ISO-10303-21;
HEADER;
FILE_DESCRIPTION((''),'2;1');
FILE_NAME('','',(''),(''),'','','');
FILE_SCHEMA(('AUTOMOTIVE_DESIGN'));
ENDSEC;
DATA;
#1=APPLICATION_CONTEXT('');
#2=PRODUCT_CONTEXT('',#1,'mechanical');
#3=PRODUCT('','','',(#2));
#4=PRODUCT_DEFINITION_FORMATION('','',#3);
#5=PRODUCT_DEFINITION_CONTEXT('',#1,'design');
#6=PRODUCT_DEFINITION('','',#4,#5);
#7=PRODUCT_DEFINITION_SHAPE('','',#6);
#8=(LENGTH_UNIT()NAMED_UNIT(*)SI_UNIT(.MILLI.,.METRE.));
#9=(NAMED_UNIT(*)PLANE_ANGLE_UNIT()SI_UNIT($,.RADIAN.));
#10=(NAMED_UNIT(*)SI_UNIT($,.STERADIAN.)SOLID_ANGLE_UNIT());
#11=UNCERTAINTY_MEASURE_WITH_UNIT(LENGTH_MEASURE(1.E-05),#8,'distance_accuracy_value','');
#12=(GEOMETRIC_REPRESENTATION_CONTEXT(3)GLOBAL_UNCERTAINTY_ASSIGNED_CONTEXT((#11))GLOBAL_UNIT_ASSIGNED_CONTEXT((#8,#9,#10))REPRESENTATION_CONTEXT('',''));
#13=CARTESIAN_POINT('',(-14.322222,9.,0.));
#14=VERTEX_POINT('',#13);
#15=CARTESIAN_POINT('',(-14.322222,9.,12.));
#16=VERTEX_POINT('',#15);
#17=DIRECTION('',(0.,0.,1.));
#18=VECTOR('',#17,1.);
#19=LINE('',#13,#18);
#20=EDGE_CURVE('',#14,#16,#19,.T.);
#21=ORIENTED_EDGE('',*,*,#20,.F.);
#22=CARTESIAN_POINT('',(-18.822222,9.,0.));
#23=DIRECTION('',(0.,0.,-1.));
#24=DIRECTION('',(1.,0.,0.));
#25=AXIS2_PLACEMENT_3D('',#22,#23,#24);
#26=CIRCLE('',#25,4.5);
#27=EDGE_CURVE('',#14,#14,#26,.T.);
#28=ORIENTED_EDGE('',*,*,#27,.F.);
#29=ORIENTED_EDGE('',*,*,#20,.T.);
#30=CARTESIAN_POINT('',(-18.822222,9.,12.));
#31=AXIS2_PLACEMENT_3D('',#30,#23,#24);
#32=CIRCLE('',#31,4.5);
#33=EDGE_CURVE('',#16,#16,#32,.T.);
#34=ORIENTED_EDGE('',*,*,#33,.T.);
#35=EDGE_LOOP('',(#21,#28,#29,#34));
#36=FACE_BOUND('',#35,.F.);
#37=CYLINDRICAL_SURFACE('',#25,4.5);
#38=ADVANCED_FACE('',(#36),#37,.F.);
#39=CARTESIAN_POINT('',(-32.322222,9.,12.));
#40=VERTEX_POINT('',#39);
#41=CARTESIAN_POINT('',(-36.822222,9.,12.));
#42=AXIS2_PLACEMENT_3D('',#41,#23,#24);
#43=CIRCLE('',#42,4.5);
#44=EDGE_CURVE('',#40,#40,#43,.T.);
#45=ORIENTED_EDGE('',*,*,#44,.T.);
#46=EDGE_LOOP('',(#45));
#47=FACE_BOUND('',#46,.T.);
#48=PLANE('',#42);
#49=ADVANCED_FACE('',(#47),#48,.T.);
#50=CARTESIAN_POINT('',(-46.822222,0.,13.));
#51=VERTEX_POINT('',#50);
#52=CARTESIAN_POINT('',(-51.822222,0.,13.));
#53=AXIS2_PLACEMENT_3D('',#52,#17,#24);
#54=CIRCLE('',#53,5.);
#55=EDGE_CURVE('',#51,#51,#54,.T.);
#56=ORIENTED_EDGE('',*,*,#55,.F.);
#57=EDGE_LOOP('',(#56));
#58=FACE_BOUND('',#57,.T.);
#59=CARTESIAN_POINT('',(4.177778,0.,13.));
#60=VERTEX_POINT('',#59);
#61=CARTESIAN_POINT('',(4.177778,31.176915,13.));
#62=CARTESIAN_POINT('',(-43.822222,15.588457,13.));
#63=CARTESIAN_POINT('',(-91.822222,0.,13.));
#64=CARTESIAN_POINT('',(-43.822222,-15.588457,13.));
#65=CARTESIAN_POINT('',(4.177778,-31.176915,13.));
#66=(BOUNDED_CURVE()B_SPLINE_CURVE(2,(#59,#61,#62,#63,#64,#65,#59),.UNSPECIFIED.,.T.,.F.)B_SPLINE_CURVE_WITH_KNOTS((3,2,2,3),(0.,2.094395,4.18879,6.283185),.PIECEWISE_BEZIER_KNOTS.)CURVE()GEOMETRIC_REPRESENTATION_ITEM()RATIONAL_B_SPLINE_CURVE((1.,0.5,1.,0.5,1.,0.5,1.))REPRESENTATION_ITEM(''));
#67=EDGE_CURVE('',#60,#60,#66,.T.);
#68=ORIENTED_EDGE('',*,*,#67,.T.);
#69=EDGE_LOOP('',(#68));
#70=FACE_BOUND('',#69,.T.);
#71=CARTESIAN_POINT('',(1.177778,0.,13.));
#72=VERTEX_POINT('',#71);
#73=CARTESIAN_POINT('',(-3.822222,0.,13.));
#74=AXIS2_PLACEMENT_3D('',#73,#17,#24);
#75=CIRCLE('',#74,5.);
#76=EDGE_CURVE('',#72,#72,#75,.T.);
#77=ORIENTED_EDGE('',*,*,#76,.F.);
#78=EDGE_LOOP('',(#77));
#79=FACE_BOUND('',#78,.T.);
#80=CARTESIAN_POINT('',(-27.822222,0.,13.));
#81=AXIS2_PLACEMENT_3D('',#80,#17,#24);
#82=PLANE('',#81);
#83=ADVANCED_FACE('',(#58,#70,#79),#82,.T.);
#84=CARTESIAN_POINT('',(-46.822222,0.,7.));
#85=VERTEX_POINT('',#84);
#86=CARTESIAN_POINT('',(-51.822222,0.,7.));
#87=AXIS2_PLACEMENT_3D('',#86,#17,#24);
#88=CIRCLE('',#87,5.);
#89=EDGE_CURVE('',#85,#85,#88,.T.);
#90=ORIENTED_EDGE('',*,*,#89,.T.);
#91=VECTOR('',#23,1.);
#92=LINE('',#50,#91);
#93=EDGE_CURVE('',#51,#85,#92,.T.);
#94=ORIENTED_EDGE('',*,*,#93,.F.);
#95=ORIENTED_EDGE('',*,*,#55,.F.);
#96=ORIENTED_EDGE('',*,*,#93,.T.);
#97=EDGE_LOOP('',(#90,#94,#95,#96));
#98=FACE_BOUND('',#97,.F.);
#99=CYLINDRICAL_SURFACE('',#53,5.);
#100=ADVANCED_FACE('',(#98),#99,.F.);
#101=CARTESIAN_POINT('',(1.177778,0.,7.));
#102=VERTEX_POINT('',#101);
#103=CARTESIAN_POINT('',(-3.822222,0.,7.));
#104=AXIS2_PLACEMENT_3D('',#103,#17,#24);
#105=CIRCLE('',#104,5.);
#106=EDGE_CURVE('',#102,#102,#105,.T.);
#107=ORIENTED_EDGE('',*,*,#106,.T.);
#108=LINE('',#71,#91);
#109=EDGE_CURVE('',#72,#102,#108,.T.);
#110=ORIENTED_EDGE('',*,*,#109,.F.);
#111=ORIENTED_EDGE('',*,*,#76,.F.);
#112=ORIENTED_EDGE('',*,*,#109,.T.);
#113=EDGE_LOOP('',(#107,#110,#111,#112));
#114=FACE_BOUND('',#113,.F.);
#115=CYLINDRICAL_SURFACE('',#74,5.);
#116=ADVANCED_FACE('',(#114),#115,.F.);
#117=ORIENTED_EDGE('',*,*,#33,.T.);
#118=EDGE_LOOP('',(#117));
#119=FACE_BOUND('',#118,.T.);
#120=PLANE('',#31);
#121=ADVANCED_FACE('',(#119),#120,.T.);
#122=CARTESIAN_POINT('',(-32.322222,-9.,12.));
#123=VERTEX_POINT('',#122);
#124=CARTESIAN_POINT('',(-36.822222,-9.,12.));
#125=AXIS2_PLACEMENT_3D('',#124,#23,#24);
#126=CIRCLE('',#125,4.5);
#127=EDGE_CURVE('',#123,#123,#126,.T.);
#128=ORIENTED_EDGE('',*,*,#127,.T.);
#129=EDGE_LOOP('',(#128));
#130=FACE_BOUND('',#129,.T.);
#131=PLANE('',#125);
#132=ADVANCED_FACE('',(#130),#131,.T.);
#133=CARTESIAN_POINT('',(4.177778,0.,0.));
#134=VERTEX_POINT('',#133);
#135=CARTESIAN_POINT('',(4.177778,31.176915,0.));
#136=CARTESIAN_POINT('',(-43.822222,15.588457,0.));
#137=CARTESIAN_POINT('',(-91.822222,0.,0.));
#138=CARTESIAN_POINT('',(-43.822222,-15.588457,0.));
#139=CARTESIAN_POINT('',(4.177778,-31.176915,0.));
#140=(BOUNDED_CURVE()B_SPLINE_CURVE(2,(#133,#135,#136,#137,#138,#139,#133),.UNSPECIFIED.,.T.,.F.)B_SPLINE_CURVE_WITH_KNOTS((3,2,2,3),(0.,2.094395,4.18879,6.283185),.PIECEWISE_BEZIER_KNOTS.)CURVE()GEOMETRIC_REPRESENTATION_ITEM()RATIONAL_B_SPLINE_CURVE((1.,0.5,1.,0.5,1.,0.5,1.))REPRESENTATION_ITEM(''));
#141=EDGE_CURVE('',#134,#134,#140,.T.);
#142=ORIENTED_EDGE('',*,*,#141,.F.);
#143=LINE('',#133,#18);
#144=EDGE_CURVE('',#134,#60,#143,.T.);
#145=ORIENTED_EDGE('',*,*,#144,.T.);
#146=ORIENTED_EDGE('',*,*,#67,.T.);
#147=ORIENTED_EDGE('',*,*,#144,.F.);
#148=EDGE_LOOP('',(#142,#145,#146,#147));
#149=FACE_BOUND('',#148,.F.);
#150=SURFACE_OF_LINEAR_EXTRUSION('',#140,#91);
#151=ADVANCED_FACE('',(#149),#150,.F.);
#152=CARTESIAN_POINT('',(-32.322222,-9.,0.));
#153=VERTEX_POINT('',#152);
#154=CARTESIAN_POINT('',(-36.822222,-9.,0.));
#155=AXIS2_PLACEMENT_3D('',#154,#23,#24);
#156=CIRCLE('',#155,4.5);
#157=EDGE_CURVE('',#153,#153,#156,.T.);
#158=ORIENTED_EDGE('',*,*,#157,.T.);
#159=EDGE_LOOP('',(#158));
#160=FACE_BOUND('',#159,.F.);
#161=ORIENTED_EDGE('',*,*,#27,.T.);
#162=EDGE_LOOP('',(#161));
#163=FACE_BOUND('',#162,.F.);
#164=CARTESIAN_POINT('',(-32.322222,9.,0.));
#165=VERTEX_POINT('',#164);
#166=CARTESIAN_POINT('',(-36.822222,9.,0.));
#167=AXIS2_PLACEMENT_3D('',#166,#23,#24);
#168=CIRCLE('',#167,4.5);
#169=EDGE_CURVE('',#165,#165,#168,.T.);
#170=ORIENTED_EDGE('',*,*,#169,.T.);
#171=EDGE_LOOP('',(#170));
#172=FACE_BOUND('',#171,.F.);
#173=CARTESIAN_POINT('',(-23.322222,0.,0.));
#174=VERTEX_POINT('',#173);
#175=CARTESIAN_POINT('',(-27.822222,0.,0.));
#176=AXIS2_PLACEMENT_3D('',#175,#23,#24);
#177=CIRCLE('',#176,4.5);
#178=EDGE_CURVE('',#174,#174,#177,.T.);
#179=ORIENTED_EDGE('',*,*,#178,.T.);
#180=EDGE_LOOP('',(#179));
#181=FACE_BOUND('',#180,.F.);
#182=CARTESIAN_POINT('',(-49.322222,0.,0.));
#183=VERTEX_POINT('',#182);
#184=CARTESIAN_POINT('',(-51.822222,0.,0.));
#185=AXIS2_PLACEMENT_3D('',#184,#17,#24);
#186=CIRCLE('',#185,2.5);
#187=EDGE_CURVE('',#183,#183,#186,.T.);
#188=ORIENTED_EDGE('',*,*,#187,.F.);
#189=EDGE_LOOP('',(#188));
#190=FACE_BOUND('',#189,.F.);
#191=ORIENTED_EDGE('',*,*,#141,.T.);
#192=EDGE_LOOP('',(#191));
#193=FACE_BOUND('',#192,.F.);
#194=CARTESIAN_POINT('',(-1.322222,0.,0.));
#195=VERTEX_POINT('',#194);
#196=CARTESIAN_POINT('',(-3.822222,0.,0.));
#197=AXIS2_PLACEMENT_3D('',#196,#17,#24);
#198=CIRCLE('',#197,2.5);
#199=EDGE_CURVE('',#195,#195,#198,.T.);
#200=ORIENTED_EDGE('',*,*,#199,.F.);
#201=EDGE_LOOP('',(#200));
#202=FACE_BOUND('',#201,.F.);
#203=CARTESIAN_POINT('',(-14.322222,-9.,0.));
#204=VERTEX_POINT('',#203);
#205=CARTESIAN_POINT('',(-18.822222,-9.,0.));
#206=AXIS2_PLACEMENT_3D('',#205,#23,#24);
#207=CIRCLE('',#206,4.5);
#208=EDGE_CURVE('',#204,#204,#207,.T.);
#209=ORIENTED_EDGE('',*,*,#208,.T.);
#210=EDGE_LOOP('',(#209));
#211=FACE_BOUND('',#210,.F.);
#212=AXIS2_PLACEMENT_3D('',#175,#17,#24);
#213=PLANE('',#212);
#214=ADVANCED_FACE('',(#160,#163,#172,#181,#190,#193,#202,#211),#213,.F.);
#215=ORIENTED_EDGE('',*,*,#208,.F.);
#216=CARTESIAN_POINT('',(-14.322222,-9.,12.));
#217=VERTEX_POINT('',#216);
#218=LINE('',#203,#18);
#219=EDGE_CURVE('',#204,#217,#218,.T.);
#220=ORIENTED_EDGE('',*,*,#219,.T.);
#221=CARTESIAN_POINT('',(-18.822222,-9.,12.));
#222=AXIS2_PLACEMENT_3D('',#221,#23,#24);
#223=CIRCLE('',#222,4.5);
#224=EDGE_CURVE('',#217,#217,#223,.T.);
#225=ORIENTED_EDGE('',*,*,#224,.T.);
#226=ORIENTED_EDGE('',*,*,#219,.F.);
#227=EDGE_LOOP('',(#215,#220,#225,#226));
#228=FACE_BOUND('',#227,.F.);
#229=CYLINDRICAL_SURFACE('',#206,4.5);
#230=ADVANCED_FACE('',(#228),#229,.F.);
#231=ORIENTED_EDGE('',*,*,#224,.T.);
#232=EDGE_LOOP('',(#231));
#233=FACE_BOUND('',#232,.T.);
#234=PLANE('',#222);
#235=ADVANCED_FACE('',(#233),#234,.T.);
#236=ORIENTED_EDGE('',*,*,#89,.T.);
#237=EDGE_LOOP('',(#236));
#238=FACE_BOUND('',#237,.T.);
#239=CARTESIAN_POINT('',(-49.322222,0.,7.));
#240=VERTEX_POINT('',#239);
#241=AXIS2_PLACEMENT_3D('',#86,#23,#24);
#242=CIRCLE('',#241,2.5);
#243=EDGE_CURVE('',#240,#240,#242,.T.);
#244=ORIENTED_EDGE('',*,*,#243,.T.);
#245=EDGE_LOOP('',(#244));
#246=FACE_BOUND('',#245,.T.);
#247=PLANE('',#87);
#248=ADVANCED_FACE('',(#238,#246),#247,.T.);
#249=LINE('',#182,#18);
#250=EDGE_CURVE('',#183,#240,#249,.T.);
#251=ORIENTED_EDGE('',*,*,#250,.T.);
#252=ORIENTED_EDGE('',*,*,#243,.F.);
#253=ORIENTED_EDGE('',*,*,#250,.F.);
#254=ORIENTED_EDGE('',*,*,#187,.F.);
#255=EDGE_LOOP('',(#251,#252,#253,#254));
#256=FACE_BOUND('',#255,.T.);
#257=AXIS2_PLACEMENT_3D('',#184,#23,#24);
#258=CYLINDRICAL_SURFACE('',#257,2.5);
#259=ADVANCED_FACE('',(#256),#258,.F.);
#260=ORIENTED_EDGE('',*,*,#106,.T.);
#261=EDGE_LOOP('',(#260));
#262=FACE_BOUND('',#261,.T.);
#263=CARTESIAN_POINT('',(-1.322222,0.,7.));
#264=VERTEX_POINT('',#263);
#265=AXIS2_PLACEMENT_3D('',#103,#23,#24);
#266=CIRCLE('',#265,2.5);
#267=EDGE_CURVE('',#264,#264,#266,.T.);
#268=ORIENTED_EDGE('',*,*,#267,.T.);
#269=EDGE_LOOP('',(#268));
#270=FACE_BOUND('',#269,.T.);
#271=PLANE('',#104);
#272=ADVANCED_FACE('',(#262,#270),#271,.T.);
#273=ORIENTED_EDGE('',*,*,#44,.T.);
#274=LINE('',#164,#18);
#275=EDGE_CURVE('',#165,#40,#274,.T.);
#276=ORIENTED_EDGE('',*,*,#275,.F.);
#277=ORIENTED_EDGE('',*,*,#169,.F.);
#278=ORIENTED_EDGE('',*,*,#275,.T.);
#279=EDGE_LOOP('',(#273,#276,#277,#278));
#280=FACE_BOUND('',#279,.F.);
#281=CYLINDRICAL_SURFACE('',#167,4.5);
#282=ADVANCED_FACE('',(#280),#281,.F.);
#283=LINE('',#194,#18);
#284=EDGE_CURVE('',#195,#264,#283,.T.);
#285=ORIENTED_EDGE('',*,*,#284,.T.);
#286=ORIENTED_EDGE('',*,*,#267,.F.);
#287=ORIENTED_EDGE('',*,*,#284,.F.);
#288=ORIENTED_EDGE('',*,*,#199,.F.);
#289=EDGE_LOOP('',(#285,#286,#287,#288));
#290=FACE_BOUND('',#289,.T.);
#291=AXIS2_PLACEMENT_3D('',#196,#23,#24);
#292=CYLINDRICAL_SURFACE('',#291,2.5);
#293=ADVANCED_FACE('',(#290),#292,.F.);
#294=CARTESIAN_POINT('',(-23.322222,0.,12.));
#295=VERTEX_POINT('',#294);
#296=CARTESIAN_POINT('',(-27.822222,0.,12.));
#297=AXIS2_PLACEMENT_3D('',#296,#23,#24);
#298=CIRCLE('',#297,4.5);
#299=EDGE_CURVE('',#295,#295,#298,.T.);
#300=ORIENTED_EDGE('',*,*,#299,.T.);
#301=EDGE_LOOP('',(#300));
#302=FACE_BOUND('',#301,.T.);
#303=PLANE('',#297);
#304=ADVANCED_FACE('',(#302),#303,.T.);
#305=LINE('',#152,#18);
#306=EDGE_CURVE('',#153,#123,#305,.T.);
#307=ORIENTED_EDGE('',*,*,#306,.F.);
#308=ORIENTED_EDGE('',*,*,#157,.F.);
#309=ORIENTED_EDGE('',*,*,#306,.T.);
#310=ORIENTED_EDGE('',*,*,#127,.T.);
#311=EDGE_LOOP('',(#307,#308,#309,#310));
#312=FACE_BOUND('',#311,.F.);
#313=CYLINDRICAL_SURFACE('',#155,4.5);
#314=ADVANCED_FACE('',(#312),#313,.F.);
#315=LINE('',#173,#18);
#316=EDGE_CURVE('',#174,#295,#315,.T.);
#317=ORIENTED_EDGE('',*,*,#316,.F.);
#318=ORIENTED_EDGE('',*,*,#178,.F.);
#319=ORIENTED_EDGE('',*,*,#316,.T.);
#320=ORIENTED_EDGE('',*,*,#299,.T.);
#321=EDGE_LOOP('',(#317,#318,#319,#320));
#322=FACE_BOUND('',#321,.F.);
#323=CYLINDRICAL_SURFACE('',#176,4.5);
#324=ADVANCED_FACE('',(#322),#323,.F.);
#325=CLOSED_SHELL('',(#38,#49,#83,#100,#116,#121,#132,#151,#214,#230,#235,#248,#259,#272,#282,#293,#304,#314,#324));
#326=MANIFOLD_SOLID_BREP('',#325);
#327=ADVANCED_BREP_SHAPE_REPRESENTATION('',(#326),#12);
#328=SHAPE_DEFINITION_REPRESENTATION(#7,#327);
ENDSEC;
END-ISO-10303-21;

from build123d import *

# Parameters (mm, degrees)
F0_R     = 2.5
F1_DEPTH = 13
F2_R     = 5
F3_DEPTH = 6
F4_R     = 4.5
F5_DEPTH = 12


with BuildPart() as f1:
    # F0 (on Top) → F1 (new body)
    with BuildSketch(Plane.XY):
        with BuildLine():
            add(Edge.make_bspline(
                [(4.177778, 0), (4.177778, 31.176915), (-43.822222, 15.588457), (-91.822222, 0), (-43.822222, -15.588457), (4.177778, -31.176915), (4.177778, 0)],
                knots=[0, 0, 0, 2.094395, 2.094395, 4.18879, 4.18879, 6.283185, 6.283185, 6.283185], degree=2, weights=[1, 0.5, 1, 0.5, 1, 0.5, 1]))
        make_face()
        with Locations((-51.822222, 0)):
            Circle(F0_R, mode=Mode.SUBTRACT)
        with Locations((-3.822222, 0)):
            Circle(F0_R, mode=Mode.SUBTRACT)
    extrude(amount=F1_DEPTH)

    # F2 (on face) → F3 (cut)
    with BuildSketch(Plane.XY.offset(13)):
        with Locations((-51.822222, 0)):
            Circle(F2_R)
        with Locations((-3.822222, 0)):
            Circle(F2_R)
    extrude(amount=-F3_DEPTH, mode=Mode.SUBTRACT)

    # F4 (on face) → F5 (cut)
    with BuildSketch(Plane(origin=(0, 0, 0), x_dir=(1, 0, 0), z_dir=(0, 0, -1))):
        with Locations((-36.822222, 9)):
            Circle(F4_R)
        with Locations((-18.822222, 9)):
            Circle(F4_R)
        with Locations((-36.822222, -9)):
            Circle(F4_R)
        with Locations((-18.822222, -9)):
            Circle(F4_R)
        with Locations((-27.822222, 0)):
            Circle(F4_R)
    extrude(amount=-F5_DEPTH, mode=Mode.SUBTRACT)


solid = f1.part
